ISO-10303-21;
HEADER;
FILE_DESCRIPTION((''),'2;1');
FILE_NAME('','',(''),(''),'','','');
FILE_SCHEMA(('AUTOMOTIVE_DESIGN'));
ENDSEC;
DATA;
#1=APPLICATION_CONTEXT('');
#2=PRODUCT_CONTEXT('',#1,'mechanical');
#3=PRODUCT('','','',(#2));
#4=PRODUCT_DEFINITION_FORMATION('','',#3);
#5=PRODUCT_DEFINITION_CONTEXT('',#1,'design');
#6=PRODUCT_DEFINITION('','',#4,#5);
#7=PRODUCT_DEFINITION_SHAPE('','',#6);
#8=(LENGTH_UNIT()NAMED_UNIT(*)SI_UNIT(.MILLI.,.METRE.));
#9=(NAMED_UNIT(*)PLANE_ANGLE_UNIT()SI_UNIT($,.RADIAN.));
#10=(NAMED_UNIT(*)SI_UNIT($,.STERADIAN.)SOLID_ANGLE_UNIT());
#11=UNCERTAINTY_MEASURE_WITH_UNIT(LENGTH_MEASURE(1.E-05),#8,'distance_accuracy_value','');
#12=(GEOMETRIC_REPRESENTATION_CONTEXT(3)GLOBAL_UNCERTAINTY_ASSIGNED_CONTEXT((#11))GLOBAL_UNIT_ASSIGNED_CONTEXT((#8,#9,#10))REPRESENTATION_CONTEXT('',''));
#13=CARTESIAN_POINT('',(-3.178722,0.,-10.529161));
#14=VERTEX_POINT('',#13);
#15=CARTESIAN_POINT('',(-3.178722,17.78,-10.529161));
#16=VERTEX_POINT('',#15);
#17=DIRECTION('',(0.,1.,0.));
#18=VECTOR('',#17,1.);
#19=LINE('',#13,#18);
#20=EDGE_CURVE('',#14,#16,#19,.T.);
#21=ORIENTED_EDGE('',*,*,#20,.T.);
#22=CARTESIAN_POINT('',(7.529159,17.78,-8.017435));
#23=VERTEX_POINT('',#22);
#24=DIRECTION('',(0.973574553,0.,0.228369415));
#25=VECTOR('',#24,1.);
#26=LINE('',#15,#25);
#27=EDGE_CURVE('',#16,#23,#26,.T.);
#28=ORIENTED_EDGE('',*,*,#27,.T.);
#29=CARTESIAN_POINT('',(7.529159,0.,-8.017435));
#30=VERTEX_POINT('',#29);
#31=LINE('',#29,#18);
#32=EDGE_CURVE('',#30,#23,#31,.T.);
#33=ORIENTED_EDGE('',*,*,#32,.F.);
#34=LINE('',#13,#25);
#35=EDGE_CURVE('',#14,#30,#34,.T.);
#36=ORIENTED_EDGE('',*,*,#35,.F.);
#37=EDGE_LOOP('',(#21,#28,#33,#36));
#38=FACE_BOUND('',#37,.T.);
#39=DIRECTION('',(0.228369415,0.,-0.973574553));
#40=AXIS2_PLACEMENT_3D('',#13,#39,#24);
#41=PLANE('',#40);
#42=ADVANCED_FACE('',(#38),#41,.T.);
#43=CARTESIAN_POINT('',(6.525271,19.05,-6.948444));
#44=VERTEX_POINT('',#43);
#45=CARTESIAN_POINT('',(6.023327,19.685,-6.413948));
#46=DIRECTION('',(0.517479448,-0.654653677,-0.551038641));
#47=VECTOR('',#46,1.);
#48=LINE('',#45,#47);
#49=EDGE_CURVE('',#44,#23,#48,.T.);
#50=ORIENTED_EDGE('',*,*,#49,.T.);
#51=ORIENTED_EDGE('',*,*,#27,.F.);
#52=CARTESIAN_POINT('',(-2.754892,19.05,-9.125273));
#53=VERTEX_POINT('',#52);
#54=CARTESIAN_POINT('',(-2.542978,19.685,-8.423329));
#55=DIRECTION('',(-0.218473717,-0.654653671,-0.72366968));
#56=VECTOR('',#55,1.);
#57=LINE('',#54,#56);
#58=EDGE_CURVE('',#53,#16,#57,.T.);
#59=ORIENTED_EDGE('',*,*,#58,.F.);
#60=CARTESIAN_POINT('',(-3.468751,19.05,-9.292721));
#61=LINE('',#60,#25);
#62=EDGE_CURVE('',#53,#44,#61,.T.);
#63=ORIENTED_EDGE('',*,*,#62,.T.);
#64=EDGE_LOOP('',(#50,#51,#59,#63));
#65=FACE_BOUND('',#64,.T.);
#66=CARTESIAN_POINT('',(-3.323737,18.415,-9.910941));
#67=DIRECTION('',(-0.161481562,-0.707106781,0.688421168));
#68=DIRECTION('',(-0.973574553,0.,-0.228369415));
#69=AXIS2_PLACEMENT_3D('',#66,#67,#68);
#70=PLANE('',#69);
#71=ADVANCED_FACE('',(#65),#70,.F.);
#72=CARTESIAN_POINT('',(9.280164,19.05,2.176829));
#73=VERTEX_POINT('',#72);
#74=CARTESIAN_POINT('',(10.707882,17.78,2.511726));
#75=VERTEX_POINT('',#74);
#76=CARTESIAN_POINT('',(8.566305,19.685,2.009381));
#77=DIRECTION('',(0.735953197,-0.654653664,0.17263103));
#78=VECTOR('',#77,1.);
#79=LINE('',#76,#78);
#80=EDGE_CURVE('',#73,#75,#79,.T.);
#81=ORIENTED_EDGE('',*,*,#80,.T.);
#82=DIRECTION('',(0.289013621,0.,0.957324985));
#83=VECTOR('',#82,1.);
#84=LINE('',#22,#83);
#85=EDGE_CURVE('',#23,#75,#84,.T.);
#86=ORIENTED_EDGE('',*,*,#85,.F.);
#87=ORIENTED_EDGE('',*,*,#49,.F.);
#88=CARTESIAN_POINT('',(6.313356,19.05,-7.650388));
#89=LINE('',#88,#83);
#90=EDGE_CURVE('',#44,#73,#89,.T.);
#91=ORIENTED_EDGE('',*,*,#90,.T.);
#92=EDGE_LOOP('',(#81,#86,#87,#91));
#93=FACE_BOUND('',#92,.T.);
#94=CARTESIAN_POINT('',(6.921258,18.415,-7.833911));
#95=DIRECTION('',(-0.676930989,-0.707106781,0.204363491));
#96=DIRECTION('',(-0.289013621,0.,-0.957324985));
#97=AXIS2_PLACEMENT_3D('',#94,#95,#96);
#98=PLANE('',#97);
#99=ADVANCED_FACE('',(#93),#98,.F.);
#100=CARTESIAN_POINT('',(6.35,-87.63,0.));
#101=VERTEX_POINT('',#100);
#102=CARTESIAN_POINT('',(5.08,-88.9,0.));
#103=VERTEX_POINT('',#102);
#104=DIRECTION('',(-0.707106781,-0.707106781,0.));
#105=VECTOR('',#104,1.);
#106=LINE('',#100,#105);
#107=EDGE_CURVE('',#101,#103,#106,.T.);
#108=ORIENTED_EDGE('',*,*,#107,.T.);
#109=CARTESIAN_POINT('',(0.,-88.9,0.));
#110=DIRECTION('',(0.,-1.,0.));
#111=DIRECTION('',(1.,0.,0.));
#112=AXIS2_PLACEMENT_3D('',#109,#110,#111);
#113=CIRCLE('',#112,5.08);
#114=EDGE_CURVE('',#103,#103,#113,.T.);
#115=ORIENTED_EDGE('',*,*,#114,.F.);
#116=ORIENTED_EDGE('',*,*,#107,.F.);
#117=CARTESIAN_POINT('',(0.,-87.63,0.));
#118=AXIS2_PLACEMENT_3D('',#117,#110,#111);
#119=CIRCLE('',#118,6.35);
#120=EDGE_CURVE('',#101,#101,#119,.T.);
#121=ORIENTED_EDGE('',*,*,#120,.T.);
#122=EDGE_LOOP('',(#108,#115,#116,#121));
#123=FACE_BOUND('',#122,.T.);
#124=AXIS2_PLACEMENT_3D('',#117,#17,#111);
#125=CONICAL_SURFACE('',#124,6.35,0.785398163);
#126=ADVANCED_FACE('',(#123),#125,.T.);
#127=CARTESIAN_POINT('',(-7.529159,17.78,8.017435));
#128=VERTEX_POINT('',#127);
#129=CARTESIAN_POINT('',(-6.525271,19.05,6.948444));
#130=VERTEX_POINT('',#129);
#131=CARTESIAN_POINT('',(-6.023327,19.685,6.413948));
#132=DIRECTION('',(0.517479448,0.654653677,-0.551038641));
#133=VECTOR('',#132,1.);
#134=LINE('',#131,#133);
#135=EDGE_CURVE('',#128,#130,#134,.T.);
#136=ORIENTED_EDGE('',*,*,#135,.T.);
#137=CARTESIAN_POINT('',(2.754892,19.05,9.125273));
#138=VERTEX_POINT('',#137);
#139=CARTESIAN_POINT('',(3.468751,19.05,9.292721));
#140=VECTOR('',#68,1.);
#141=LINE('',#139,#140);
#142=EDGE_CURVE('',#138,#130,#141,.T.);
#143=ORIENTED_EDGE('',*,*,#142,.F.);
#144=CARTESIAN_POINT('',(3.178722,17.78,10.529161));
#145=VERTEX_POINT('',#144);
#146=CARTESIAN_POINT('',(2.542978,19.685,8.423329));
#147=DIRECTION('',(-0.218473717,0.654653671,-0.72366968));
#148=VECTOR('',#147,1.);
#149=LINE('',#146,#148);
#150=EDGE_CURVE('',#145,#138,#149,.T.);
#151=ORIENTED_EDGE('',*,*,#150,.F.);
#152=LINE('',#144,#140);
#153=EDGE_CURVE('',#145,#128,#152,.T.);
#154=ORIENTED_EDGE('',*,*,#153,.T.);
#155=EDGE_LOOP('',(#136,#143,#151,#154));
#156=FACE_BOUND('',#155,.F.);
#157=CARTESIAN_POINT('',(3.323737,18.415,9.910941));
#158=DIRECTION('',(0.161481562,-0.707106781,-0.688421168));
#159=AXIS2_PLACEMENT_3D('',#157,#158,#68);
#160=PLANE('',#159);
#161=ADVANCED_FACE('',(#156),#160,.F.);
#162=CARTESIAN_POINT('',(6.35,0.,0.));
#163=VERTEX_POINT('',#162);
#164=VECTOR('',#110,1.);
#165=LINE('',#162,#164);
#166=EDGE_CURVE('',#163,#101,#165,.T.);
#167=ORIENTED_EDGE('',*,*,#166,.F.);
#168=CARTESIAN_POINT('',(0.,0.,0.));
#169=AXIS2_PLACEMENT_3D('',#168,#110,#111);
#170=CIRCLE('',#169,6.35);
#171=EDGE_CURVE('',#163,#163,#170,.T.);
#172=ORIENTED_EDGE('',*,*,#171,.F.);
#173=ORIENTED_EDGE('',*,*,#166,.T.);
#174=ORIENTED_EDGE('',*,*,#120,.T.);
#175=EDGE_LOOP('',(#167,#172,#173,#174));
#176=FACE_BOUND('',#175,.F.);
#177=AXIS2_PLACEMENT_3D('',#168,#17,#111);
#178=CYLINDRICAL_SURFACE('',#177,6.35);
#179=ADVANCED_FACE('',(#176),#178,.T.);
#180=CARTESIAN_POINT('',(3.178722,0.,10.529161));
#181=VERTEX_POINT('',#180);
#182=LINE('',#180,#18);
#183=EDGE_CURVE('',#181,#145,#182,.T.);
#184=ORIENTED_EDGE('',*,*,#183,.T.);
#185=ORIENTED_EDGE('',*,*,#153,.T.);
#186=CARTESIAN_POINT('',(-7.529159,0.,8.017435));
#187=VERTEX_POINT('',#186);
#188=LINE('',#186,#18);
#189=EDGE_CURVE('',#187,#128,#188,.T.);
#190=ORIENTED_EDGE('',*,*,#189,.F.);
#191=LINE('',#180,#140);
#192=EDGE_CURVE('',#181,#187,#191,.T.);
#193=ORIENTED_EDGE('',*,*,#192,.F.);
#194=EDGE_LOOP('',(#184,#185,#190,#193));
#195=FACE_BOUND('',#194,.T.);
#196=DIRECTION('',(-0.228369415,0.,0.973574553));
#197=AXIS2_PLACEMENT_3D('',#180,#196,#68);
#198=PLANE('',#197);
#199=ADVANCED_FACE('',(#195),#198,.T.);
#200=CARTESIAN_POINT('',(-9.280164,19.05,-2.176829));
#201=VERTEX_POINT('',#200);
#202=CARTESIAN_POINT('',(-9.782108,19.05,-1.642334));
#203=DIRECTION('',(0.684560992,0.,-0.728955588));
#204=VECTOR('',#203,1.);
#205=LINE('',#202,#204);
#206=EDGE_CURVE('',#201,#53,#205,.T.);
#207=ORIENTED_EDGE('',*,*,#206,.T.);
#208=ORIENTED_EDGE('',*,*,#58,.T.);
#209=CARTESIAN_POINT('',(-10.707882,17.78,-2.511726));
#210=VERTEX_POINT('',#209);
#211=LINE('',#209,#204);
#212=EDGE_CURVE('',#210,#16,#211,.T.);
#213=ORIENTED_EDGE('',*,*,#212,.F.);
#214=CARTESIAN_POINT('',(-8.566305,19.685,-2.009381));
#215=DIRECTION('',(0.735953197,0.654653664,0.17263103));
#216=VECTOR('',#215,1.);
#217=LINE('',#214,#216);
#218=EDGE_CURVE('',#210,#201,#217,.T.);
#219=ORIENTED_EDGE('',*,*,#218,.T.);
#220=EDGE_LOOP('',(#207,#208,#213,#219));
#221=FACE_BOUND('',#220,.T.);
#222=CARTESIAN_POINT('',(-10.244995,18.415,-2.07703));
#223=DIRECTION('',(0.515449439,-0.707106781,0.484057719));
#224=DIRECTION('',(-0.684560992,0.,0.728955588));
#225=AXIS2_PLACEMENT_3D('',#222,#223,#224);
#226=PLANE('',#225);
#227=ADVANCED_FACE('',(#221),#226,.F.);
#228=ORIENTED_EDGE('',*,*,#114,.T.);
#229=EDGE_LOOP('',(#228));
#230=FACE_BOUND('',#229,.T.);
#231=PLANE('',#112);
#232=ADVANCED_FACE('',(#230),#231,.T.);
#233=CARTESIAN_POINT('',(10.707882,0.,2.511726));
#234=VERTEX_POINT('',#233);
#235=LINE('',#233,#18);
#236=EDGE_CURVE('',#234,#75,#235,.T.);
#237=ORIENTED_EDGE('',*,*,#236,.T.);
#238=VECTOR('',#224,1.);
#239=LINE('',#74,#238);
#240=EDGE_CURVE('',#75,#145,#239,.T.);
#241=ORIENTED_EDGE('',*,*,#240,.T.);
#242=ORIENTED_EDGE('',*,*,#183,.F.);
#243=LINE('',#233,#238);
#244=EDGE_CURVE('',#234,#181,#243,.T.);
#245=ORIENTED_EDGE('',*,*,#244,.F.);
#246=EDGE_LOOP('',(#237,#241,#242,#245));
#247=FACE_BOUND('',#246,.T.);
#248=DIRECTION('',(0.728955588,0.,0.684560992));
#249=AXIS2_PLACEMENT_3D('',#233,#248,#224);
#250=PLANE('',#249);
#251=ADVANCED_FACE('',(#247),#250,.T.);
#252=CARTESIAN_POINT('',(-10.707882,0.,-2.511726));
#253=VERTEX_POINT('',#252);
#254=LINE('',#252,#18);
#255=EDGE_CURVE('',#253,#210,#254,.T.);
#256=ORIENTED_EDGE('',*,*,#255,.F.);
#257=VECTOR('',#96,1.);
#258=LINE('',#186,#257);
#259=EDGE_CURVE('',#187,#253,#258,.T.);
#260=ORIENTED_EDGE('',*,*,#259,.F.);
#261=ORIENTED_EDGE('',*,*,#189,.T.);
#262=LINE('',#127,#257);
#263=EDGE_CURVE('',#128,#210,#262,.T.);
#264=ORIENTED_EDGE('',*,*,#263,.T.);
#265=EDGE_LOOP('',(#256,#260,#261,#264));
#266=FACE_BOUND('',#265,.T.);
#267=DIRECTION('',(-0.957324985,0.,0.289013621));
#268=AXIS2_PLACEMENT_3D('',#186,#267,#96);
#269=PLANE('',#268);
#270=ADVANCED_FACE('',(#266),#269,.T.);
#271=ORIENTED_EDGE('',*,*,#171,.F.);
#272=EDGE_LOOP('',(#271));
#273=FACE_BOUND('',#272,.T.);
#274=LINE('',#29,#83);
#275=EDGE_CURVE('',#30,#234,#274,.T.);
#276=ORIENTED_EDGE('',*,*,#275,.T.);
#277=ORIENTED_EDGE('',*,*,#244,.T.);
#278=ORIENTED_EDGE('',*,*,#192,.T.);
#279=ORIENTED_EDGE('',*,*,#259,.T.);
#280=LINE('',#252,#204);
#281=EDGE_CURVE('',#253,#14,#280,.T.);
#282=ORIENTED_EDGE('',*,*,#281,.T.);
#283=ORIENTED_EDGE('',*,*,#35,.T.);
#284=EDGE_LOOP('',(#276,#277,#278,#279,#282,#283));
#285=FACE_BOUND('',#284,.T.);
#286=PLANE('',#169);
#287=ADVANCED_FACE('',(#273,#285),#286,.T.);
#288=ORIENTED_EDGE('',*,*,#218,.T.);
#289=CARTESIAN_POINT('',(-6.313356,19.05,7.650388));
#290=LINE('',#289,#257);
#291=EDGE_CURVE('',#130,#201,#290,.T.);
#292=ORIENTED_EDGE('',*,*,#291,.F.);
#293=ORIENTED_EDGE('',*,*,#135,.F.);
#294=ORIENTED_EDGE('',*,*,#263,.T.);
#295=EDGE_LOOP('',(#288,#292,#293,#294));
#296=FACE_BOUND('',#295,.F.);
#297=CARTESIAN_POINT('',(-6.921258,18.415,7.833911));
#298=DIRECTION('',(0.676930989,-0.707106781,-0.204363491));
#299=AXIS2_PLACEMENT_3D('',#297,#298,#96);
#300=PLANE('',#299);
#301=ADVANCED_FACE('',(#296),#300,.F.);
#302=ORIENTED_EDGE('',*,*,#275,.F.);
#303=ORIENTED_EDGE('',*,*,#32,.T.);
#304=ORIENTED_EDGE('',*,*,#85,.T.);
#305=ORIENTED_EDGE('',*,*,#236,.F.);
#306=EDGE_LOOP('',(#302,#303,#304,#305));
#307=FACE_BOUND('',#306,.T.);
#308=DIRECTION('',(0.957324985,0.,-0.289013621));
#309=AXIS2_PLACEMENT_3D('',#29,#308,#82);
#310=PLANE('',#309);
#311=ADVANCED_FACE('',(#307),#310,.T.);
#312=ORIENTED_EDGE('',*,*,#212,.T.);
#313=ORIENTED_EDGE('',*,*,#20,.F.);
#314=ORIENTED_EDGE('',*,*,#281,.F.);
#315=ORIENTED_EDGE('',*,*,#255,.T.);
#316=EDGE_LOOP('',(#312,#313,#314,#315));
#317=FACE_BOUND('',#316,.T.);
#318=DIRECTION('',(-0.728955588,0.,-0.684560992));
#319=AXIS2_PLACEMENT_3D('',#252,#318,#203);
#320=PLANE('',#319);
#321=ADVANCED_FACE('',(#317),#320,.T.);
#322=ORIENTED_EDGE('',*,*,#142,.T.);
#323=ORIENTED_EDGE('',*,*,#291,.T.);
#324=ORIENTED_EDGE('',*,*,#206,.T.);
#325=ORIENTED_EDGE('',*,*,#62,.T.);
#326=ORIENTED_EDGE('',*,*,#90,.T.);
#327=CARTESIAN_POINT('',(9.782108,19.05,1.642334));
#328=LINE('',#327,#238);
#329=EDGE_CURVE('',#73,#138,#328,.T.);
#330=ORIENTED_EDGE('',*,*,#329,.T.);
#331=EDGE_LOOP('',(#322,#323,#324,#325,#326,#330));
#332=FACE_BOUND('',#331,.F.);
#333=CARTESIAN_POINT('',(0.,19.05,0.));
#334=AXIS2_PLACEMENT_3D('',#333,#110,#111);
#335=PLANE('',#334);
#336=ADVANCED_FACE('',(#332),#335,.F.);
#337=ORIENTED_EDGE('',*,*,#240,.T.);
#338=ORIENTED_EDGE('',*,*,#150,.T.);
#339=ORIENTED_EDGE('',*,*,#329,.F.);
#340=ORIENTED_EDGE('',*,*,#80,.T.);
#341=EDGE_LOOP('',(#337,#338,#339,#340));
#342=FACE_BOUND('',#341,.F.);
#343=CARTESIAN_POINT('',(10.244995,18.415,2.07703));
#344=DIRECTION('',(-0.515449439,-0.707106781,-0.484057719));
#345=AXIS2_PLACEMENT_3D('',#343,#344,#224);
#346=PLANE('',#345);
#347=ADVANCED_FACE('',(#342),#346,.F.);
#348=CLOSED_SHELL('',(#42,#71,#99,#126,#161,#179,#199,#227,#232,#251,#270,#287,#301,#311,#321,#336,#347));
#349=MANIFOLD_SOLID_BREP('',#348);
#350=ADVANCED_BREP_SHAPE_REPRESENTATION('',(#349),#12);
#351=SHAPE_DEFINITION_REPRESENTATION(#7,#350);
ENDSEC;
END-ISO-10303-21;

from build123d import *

# Parameters (mm, degrees)
F1_DEPTH = 19.05
F2_R     = 6.35
F3_DEPTH = 88.9
F4_SIZE  = 1.27


with BuildPart() as f1:
    # F0 (on Front) → F1 (new body)
    with BuildSketch(Plane.XZ):
        Polygon((3.178722, 10.529161), (-7.529159, 8.017435), (-10.707882, -2.511726), (-3.178722, -10.529161), (7.529159, -8.017435), (10.707882, 2.511726), align=None)
    extrude(amount=-F1_DEPTH)

    # F2 (on Front) → F3 (join)
    with BuildSketch(Plane.XZ):
        Circle(F2_R)
    extrude(amount=F3_DEPTH)

    # F4
    f4_edges = [f1.edges().sort_by_distance(p)[0] for p in [
        (-6.35, -88.9, 0),
        (-9.118521, 19.05, 2.752854),
        (-2.175218, 19.05, 9.273298),
        (-6.943302, 19.05, -6.520443),
        (2.175218, 19.05, -9.273298),
        (9.118521, 19.05, -2.752854),
        (6.943302, 19.05, 6.520443),
    ]]
    chamfer(f4_edges, length=F4_SIZE)


solid = f1.part
